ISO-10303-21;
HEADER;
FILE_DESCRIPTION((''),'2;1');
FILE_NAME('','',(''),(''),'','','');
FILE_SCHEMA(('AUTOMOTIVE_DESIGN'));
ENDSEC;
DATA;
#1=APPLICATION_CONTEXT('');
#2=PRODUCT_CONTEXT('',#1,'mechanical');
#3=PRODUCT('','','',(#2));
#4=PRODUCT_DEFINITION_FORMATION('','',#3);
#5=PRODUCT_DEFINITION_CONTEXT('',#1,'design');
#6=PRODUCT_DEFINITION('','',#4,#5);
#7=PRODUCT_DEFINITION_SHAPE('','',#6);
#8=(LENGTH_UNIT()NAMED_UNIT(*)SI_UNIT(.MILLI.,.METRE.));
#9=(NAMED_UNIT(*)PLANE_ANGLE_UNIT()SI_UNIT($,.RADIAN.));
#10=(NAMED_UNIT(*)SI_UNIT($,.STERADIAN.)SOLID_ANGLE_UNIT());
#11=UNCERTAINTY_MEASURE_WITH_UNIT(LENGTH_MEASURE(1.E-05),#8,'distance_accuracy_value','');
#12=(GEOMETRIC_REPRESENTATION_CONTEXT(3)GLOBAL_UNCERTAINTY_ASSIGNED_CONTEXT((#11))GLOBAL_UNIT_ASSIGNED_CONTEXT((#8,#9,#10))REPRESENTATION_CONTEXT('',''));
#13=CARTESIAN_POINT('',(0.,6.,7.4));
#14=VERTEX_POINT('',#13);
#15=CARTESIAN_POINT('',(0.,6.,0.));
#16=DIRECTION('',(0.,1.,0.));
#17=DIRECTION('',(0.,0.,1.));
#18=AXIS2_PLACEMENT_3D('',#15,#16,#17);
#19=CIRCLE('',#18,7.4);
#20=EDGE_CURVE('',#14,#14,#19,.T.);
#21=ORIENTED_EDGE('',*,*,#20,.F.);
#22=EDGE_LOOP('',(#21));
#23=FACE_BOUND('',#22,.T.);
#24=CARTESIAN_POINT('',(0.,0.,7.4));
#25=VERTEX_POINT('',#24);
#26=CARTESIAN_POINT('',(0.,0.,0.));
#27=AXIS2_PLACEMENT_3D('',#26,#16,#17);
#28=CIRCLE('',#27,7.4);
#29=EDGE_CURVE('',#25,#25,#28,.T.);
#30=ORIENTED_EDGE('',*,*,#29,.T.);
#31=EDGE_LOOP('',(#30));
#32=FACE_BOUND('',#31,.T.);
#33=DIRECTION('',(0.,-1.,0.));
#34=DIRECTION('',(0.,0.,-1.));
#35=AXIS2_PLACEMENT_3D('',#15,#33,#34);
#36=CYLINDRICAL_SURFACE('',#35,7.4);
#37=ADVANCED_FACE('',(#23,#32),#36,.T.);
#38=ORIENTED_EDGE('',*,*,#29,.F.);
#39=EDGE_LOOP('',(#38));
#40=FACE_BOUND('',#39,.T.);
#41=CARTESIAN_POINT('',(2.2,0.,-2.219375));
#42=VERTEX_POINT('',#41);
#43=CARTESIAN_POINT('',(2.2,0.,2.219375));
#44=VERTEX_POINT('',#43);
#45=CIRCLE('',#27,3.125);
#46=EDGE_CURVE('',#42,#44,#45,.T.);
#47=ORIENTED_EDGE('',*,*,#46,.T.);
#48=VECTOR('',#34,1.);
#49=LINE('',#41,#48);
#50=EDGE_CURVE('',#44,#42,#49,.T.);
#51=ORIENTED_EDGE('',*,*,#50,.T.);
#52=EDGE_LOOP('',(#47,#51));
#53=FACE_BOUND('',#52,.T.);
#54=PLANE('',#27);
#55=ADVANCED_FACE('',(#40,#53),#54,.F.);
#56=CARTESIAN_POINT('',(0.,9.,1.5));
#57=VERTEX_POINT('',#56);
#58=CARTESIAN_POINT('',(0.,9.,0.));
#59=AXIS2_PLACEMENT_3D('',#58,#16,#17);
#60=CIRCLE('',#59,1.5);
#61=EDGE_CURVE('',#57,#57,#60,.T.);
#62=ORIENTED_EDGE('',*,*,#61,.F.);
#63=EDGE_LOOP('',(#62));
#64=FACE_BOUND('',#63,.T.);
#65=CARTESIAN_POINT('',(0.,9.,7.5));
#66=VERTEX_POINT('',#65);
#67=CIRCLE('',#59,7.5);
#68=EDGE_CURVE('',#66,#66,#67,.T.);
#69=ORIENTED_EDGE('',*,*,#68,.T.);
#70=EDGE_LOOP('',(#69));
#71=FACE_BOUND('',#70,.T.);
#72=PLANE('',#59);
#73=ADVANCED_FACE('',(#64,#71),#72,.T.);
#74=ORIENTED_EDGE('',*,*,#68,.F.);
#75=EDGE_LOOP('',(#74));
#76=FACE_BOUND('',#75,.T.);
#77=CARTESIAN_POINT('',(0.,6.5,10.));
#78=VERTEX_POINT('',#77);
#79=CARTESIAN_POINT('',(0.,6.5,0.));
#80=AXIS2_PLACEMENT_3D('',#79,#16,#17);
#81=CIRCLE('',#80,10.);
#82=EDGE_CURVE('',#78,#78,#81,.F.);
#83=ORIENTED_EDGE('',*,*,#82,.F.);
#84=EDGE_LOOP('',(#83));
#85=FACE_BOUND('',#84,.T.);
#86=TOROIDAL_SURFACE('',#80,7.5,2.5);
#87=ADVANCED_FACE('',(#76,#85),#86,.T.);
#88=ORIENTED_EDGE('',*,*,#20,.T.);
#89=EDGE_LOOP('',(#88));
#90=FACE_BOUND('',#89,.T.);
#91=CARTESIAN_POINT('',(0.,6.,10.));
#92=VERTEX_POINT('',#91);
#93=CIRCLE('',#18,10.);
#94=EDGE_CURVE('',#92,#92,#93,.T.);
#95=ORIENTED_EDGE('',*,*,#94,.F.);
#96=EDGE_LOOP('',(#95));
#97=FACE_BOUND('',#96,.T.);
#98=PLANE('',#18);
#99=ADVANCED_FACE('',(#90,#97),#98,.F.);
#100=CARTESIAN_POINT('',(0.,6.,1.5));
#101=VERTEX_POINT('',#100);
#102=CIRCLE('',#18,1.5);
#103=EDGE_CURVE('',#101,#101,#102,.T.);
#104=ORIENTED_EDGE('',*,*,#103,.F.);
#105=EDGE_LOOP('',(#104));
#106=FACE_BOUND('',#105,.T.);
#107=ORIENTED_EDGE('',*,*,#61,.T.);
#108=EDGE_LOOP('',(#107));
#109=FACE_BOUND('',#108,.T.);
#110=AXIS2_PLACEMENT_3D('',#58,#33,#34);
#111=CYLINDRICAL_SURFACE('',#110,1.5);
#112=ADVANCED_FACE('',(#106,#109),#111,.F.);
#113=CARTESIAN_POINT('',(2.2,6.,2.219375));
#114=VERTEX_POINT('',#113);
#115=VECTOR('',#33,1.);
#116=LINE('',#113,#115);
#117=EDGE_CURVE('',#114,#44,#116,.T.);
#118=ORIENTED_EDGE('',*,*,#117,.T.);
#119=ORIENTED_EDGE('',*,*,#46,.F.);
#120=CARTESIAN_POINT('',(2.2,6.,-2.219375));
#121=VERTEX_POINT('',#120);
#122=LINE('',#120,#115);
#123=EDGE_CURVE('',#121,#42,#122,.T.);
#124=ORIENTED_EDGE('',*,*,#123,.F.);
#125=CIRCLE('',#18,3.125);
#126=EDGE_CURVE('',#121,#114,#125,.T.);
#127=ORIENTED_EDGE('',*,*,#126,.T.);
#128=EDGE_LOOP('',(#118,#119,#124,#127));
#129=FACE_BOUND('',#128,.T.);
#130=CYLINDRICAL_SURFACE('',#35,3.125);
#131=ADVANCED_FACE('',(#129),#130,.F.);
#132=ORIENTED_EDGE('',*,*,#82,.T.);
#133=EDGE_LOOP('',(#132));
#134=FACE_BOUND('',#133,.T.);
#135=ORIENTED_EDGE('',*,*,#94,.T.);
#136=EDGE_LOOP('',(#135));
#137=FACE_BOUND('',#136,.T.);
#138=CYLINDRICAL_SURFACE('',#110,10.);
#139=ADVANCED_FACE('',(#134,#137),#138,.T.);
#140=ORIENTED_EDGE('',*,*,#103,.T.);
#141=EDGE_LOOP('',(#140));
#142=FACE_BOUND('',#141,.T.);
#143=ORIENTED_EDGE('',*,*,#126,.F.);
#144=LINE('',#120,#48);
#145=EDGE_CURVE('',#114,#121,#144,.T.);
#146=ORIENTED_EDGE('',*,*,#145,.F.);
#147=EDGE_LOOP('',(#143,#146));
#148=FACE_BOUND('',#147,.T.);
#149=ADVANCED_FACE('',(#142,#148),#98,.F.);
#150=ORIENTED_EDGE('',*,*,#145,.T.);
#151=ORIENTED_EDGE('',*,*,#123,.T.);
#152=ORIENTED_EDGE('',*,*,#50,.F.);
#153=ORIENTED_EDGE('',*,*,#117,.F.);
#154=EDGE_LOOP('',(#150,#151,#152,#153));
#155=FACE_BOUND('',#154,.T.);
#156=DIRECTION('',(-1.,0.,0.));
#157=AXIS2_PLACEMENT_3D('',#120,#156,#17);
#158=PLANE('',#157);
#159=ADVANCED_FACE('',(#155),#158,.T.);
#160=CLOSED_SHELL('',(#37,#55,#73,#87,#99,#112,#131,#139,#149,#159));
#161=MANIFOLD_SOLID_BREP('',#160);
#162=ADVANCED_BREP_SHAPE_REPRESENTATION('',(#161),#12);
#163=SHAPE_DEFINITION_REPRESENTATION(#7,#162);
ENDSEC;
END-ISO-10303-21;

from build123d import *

# Parameters (mm, degrees)
SKETCH1_R           = 7.4
BOSS_EXTRUDE1_DEPTH = 6
SKETCH2_R           = 10
SKETCH2_R_2         = 1.5
BOSS_EXTRUDE2_DEPTH = 3
FILLET1_R           = 2.5


with BuildPart() as part:
    # Sketch1 → Boss-Extrude1 (new body)
    with BuildSketch(Plane(origin=(0, 0, 0), x_dir=(1, 0, 0), z_dir=(0, 1, 0))):
        with Locations(Location((0, 0, 0), (0, 0, 270))):
            Circle(SKETCH1_R)
        with BuildLine():
            Line((2.2, 2.219374912), (2.2, -2.219374912))
            ThreePointArc((2.2, -2.219374912), (-3.125, 0), (2.2, 2.219374912))
        make_face(mode=Mode.SUBTRACT)
    extrude(amount=BOSS_EXTRUDE1_DEPTH)

    # Sketch2 → Boss-Extrude2 (add)
    with BuildSketch(Plane(origin=(0, 6, 0), x_dir=(1, 0, 0), z_dir=(0, 1, 0))):
        with Locations(Location((0, 0, 0), (0, 0, 270))):
            Circle(SKETCH2_R)
        with Locations(Location((0, 0, 0), (0, 0, 270))):
            Circle(SKETCH2_R_2, mode=Mode.SUBTRACT)
    extrude(amount=BOSS_EXTRUDE2_DEPTH)

    # Fillet1
    fillet1_edges = [part.edges().sort_by_distance(p)[0] for p in [
        (0, 9, -10),
    ]]
    fillet(fillet1_edges, radius=FILLET1_R)


solid = part.part
